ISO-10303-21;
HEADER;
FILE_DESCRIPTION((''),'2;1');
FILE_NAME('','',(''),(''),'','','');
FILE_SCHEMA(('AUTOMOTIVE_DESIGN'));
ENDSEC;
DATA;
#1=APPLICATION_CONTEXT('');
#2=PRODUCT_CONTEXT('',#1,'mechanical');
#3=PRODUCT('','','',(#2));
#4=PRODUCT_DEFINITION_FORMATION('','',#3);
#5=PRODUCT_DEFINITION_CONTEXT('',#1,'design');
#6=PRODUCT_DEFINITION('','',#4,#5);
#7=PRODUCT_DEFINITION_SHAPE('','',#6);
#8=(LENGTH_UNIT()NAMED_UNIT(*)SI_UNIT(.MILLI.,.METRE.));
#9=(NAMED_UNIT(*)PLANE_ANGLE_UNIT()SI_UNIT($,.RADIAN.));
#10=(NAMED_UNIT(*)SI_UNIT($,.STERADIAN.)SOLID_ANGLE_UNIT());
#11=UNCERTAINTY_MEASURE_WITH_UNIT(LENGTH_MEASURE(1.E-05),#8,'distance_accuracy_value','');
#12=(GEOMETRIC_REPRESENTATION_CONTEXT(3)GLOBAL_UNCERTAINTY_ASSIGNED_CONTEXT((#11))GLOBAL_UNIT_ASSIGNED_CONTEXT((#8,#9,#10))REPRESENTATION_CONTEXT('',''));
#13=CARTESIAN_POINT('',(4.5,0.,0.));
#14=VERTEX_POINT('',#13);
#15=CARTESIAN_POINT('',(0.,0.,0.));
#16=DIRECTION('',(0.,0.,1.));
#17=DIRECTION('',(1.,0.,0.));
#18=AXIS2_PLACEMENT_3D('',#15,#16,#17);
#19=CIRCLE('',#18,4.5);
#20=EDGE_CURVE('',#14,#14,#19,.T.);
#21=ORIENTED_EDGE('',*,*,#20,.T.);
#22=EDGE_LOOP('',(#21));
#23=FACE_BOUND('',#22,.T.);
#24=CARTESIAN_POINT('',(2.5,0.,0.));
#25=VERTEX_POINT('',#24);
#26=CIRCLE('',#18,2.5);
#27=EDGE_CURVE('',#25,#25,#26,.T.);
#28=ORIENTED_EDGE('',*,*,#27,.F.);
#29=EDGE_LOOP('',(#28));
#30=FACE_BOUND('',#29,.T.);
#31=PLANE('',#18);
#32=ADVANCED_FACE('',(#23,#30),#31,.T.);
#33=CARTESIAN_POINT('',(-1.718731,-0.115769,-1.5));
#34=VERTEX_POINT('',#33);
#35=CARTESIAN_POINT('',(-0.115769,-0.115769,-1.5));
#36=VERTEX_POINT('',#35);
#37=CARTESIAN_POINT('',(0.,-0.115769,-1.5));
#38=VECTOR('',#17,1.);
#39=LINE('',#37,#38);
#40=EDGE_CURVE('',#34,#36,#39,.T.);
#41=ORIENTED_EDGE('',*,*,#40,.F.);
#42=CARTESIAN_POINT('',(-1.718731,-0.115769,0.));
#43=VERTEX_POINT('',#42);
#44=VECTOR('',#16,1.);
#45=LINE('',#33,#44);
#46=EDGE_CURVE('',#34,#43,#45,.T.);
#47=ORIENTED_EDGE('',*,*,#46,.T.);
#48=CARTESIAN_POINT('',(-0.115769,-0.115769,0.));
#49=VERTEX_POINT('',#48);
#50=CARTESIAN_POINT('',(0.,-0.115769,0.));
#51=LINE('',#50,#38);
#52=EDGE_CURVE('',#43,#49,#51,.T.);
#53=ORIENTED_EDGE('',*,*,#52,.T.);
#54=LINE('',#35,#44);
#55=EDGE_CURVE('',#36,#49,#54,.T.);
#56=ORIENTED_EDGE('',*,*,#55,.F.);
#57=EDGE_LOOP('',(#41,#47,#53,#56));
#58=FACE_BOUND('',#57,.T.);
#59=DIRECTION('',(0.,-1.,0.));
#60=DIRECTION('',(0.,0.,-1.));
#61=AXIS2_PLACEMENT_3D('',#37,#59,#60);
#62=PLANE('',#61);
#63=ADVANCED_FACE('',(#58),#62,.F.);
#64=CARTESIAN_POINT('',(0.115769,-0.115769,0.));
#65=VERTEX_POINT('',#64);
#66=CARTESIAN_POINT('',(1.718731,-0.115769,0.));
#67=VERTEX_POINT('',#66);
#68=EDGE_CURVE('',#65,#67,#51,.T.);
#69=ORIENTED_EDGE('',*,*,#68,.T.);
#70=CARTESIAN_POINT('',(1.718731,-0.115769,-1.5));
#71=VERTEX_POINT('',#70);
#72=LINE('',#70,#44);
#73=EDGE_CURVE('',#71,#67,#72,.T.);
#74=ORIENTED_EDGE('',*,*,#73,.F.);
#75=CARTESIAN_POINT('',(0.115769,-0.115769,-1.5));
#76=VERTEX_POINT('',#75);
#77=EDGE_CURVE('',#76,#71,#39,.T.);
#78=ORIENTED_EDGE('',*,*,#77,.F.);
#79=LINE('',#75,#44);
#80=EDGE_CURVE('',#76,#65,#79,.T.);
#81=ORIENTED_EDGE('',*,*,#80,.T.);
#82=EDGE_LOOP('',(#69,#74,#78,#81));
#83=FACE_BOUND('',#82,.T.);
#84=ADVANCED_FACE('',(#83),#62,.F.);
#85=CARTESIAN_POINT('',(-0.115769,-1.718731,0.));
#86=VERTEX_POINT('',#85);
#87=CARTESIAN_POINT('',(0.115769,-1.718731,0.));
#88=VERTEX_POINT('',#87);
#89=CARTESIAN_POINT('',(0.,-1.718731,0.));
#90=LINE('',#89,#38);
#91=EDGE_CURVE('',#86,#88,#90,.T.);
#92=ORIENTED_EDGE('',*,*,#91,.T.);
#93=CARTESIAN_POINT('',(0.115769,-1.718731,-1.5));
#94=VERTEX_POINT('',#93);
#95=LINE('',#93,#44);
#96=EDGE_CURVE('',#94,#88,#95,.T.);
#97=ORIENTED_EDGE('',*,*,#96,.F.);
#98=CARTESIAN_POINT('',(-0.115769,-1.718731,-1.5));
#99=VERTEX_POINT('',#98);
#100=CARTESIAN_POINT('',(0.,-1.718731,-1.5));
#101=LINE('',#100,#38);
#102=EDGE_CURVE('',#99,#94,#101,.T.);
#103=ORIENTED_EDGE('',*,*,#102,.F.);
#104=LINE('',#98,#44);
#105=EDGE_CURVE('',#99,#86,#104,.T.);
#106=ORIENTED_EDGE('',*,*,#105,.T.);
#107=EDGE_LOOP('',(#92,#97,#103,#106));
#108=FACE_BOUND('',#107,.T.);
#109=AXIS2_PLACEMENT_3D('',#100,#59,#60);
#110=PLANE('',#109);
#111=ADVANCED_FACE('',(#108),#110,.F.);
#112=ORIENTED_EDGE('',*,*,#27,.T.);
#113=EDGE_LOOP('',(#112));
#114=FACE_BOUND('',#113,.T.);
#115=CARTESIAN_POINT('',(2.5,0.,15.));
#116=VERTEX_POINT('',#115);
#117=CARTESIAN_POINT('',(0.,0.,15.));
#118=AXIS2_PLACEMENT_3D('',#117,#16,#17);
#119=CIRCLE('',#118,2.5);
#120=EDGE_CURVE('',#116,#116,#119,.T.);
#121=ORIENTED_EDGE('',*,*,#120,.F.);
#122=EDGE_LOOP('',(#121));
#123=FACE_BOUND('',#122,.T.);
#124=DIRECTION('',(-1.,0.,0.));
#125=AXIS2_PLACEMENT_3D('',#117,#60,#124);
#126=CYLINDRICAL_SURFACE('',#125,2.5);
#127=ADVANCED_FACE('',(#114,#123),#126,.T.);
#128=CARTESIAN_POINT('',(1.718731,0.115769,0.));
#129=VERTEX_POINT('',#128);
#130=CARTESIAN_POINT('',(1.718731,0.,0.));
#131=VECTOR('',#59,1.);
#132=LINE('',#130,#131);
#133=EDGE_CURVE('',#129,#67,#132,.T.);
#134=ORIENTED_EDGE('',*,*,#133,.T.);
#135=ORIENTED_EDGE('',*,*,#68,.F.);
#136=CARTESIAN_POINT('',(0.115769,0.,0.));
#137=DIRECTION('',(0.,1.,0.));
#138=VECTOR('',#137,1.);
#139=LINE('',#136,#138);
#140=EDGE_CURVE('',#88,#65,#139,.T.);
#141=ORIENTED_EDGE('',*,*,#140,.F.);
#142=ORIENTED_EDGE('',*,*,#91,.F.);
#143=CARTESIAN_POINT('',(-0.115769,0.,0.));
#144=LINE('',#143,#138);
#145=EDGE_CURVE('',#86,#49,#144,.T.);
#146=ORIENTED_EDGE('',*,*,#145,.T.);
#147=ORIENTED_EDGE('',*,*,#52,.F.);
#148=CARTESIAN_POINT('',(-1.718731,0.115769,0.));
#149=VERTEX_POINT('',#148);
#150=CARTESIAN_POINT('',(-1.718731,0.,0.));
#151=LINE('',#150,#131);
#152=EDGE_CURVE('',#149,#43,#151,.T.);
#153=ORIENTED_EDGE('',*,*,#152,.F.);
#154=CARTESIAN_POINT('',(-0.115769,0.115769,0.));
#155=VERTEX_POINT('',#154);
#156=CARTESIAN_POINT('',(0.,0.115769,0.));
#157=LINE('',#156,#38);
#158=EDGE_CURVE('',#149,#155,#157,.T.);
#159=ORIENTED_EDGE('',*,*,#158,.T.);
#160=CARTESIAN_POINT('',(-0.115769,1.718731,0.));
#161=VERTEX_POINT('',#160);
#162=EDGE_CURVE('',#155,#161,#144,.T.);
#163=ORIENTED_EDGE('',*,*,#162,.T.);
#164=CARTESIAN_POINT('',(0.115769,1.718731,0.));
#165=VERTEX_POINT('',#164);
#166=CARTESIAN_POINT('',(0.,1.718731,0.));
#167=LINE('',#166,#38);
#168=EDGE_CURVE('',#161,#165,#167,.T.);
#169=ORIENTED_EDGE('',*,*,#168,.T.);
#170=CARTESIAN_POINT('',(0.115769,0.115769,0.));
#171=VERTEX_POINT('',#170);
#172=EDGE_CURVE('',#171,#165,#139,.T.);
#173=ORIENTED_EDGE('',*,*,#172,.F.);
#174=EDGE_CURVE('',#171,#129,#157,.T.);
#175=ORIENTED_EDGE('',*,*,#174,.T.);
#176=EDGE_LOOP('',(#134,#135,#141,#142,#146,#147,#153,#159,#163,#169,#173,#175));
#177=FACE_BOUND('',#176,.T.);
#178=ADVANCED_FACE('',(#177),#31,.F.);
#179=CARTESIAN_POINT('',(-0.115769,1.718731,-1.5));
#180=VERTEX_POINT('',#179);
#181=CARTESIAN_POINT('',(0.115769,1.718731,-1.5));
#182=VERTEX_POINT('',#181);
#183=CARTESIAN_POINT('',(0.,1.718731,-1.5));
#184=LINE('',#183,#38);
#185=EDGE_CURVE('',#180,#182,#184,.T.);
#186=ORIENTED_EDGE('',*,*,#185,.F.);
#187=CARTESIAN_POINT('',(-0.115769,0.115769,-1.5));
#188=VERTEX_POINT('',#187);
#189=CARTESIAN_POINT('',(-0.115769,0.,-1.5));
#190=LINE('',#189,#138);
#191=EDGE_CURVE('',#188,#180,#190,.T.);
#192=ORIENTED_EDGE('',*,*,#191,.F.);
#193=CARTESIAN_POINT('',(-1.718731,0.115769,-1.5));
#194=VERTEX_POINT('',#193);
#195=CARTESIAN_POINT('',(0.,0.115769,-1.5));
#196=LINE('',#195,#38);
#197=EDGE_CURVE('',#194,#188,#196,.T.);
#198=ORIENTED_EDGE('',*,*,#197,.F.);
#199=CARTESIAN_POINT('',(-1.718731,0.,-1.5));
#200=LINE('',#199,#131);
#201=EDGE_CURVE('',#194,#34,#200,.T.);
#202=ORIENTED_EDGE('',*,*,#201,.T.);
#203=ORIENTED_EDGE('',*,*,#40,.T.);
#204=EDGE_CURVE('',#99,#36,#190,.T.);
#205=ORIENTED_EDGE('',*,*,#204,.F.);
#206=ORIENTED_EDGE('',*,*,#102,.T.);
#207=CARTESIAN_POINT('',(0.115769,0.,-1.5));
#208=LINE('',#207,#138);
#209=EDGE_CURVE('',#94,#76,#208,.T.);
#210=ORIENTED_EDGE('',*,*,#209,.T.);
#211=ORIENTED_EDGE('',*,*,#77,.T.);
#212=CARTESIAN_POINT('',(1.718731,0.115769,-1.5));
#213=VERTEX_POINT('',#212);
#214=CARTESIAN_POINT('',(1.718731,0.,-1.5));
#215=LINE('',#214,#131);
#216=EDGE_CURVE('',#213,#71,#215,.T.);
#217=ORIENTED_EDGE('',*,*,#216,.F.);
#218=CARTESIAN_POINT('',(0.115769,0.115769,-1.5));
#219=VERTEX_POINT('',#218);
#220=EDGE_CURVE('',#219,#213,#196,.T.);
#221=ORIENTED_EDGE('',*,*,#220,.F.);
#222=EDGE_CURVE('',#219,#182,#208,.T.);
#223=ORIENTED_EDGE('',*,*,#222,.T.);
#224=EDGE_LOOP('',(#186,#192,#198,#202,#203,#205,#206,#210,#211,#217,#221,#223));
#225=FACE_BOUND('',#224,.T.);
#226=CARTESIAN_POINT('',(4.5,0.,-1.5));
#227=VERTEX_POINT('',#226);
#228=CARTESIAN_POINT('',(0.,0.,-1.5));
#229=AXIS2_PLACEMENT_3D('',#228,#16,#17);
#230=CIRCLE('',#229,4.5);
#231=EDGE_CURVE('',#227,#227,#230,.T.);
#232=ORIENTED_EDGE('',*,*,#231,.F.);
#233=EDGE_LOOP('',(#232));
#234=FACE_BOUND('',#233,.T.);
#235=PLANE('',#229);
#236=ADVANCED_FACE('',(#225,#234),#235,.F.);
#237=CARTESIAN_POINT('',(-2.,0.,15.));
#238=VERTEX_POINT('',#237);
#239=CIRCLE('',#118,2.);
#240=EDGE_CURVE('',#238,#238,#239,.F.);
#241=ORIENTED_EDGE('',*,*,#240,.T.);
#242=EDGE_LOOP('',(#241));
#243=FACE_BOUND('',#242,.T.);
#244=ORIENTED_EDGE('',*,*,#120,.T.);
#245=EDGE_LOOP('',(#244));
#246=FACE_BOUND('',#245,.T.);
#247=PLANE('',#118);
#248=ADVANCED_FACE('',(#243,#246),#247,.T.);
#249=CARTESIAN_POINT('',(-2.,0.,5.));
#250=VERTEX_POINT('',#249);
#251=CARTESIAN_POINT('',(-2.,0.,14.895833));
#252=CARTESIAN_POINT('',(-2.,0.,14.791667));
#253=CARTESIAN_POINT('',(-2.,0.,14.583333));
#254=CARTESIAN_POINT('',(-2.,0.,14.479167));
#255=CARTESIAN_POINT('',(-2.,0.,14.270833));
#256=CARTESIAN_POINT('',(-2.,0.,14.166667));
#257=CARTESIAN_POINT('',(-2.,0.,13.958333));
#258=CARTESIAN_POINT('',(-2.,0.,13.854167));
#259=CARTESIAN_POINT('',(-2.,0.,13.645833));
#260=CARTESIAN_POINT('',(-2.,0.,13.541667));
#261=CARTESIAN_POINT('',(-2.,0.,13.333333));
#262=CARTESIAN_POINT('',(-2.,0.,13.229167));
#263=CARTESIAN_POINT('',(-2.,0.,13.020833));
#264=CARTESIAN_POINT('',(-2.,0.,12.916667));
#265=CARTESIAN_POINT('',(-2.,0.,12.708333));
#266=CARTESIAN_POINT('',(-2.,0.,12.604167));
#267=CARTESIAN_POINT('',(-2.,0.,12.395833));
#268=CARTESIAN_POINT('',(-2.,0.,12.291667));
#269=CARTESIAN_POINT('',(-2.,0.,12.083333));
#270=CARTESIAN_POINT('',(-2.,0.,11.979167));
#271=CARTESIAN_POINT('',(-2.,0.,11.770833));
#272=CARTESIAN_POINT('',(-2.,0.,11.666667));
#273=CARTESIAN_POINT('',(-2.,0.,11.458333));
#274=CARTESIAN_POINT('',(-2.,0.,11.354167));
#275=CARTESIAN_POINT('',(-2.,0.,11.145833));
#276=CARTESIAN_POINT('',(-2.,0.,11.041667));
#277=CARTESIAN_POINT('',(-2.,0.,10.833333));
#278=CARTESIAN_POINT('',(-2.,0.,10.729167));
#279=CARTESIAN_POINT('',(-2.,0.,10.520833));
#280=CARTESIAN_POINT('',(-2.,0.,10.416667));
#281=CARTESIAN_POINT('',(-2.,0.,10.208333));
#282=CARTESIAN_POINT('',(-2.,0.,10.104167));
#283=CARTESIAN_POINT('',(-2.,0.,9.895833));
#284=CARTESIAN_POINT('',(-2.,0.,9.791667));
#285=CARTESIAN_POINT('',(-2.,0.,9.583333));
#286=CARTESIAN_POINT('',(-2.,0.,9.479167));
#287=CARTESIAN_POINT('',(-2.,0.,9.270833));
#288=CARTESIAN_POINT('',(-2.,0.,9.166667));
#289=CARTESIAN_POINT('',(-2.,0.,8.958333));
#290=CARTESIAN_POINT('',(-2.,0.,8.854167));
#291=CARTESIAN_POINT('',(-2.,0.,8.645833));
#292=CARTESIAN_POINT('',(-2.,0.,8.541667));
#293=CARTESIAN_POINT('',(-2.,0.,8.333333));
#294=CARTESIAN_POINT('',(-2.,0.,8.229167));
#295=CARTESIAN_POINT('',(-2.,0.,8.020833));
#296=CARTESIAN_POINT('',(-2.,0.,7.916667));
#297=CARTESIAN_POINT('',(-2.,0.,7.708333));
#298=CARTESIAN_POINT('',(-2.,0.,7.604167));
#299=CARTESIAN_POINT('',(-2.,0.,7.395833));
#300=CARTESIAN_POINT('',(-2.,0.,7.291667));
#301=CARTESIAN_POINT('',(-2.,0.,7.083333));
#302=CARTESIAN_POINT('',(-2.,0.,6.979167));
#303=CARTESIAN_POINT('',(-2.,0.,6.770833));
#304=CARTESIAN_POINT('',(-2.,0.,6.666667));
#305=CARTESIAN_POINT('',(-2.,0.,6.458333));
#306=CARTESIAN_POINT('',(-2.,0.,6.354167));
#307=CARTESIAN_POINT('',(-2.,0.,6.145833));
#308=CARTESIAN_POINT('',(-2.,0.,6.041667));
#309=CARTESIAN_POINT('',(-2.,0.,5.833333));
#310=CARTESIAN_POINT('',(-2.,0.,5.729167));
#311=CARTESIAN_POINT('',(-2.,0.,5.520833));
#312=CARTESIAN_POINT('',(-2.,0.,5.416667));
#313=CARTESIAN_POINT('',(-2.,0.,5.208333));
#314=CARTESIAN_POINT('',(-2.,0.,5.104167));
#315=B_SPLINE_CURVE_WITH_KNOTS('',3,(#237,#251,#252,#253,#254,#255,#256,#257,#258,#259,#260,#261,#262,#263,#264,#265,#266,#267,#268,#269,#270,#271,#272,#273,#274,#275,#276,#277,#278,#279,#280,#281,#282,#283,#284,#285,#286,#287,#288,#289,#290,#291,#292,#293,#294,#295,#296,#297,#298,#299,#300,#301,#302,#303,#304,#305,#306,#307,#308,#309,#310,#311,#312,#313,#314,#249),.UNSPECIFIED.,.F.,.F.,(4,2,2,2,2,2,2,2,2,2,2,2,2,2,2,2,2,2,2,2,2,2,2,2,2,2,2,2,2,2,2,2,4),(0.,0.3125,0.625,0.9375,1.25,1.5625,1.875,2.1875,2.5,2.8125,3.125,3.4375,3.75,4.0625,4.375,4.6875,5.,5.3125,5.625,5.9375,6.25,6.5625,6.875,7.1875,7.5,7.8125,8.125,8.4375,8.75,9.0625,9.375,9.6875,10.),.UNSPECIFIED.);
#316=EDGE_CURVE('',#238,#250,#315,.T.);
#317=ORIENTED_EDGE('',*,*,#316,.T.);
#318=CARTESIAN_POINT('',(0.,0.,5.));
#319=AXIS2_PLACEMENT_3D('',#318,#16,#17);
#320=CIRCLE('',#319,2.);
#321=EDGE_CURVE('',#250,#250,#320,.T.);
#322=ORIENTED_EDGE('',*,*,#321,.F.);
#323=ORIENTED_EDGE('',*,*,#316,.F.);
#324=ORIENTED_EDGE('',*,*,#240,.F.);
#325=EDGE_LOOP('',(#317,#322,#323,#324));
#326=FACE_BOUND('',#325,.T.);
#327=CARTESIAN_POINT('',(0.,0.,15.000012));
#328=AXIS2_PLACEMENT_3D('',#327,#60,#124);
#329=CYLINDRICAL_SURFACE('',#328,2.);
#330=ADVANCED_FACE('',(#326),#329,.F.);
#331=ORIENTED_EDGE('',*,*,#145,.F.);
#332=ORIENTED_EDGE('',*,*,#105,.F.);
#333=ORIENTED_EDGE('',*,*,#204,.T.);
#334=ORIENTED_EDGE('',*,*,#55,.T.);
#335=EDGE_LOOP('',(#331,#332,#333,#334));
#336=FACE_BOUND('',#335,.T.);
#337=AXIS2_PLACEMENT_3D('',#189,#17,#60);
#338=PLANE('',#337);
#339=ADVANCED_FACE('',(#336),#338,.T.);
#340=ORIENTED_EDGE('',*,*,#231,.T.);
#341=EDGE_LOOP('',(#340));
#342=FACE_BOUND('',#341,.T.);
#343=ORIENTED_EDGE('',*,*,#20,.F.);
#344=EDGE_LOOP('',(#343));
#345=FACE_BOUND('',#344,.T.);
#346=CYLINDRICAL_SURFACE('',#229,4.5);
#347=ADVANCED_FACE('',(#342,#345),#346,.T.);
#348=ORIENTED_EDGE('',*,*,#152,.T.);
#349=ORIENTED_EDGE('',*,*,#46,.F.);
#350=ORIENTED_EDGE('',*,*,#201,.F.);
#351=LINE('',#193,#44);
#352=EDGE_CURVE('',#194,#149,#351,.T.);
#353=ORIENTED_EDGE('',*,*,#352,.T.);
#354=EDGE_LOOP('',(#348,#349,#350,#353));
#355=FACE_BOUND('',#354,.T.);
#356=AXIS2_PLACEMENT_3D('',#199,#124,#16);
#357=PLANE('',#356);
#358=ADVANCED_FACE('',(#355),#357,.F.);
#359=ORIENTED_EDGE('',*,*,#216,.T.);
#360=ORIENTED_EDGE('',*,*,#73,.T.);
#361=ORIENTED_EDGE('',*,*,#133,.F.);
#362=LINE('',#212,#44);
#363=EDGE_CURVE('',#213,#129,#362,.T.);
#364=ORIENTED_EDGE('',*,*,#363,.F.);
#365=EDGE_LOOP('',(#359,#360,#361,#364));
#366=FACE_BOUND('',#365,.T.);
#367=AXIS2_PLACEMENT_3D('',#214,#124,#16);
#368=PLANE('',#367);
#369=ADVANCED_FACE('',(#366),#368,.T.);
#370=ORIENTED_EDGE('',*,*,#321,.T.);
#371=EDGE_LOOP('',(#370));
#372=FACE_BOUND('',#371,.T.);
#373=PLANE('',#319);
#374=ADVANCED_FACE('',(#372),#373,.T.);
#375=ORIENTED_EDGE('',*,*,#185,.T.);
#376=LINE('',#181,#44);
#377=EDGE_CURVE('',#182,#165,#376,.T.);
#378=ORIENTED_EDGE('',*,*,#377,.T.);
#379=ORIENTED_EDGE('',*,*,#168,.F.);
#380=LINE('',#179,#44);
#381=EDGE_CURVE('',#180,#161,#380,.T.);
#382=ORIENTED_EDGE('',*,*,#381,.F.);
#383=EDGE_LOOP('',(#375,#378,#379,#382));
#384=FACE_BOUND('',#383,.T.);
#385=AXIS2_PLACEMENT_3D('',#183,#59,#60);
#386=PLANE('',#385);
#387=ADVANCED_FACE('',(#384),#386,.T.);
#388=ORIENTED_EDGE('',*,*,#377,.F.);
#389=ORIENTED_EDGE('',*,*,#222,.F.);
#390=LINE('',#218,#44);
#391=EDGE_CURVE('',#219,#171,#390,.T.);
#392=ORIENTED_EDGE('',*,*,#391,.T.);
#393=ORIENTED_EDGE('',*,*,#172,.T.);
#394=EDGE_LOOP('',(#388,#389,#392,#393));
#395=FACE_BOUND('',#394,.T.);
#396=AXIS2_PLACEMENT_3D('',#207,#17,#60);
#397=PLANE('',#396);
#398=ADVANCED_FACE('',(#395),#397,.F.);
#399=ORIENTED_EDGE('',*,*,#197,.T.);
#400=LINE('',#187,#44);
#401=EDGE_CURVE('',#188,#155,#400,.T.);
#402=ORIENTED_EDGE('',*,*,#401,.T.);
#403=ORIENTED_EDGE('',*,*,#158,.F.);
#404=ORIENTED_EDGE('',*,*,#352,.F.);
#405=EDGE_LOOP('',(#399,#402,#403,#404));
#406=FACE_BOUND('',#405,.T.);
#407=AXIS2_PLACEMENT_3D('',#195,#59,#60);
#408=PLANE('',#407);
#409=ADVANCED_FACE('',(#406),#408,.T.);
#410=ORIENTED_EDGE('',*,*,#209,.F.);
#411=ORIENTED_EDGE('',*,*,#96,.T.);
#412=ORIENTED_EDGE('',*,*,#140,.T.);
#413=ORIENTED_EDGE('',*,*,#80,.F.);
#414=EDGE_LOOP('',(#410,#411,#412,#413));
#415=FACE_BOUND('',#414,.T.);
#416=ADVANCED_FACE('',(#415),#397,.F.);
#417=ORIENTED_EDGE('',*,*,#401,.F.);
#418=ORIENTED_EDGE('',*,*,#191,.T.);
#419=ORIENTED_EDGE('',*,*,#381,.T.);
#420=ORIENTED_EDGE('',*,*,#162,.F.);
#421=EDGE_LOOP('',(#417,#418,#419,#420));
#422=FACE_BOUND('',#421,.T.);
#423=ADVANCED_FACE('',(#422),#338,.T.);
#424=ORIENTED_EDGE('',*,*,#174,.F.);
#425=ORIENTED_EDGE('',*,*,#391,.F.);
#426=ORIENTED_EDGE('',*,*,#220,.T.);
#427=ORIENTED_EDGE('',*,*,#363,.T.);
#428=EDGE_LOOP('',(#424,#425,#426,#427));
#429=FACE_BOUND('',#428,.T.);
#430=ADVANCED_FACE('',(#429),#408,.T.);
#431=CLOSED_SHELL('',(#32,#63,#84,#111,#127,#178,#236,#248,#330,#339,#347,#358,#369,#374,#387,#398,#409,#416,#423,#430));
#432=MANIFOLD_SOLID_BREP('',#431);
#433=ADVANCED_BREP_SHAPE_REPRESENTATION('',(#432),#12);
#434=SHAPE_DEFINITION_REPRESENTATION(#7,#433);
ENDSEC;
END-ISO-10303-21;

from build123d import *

# Parameters (mm, degrees)
ESQUISSE1_R                  = 2.5
BOSS_EXTRU_1_DEPTH           = 15
ESQUISSE2_R                  = 4.5
BOSS_EXTRU_2_DEPTH           = 1.5
ENL_V_MAT_EXTRU_1_DEPTH      = 18.684739184
ENL_V_MAT_EXTRU_1_DEPTH_BACK = 10
ESQUISSE3_R                  = 2


with BuildPart() as part:
    # Esquisse1 → Boss.-Extru.1 (new body)
    with BuildSketch(Plane.XY):
        Circle(ESQUISSE1_R)
    extrude(amount=BOSS_EXTRU_1_DEPTH)

    # Esquisse2 → Boss.-Extru.2 (add)
    with BuildSketch(Plane.XY):
        Circle(ESQUISSE2_R)
        Polygon((-1.718731116, -0.115769453), (-1.718731116, 0.115769453), (-0.115769453, 0.115769453), (-0.115769453, 1.718731116), (0.115769453, 1.718731116), (0.115769453, 0.115769453), (1.718731116, 0.115769453), (1.718731116, -0.115769453), (0.115769453, -0.115769453), (0.115769453, -1.718731116), (-0.115769453, -1.718731116), (-0.115769453, -0.115769453), align=None, mode=Mode.SUBTRACT)
    extrude(amount=-BOSS_EXTRU_2_DEPTH)

    # Esquisse3 → Enlèv. mat.-Extru.1 (cut, two sides: drawn at the far end of the back side and taken through both)
    with BuildSketch(Plane.XY.offset(15).offset(-ENL_V_MAT_EXTRU_1_DEPTH_BACK)):
        with Locations(Location((0, 0, 0), (0, 0, 180))):
            Circle(ESQUISSE3_R)
    extrude(amount=ENL_V_MAT_EXTRU_1_DEPTH + ENL_V_MAT_EXTRU_1_DEPTH_BACK, mode=Mode.SUBTRACT)


solid = part.part
